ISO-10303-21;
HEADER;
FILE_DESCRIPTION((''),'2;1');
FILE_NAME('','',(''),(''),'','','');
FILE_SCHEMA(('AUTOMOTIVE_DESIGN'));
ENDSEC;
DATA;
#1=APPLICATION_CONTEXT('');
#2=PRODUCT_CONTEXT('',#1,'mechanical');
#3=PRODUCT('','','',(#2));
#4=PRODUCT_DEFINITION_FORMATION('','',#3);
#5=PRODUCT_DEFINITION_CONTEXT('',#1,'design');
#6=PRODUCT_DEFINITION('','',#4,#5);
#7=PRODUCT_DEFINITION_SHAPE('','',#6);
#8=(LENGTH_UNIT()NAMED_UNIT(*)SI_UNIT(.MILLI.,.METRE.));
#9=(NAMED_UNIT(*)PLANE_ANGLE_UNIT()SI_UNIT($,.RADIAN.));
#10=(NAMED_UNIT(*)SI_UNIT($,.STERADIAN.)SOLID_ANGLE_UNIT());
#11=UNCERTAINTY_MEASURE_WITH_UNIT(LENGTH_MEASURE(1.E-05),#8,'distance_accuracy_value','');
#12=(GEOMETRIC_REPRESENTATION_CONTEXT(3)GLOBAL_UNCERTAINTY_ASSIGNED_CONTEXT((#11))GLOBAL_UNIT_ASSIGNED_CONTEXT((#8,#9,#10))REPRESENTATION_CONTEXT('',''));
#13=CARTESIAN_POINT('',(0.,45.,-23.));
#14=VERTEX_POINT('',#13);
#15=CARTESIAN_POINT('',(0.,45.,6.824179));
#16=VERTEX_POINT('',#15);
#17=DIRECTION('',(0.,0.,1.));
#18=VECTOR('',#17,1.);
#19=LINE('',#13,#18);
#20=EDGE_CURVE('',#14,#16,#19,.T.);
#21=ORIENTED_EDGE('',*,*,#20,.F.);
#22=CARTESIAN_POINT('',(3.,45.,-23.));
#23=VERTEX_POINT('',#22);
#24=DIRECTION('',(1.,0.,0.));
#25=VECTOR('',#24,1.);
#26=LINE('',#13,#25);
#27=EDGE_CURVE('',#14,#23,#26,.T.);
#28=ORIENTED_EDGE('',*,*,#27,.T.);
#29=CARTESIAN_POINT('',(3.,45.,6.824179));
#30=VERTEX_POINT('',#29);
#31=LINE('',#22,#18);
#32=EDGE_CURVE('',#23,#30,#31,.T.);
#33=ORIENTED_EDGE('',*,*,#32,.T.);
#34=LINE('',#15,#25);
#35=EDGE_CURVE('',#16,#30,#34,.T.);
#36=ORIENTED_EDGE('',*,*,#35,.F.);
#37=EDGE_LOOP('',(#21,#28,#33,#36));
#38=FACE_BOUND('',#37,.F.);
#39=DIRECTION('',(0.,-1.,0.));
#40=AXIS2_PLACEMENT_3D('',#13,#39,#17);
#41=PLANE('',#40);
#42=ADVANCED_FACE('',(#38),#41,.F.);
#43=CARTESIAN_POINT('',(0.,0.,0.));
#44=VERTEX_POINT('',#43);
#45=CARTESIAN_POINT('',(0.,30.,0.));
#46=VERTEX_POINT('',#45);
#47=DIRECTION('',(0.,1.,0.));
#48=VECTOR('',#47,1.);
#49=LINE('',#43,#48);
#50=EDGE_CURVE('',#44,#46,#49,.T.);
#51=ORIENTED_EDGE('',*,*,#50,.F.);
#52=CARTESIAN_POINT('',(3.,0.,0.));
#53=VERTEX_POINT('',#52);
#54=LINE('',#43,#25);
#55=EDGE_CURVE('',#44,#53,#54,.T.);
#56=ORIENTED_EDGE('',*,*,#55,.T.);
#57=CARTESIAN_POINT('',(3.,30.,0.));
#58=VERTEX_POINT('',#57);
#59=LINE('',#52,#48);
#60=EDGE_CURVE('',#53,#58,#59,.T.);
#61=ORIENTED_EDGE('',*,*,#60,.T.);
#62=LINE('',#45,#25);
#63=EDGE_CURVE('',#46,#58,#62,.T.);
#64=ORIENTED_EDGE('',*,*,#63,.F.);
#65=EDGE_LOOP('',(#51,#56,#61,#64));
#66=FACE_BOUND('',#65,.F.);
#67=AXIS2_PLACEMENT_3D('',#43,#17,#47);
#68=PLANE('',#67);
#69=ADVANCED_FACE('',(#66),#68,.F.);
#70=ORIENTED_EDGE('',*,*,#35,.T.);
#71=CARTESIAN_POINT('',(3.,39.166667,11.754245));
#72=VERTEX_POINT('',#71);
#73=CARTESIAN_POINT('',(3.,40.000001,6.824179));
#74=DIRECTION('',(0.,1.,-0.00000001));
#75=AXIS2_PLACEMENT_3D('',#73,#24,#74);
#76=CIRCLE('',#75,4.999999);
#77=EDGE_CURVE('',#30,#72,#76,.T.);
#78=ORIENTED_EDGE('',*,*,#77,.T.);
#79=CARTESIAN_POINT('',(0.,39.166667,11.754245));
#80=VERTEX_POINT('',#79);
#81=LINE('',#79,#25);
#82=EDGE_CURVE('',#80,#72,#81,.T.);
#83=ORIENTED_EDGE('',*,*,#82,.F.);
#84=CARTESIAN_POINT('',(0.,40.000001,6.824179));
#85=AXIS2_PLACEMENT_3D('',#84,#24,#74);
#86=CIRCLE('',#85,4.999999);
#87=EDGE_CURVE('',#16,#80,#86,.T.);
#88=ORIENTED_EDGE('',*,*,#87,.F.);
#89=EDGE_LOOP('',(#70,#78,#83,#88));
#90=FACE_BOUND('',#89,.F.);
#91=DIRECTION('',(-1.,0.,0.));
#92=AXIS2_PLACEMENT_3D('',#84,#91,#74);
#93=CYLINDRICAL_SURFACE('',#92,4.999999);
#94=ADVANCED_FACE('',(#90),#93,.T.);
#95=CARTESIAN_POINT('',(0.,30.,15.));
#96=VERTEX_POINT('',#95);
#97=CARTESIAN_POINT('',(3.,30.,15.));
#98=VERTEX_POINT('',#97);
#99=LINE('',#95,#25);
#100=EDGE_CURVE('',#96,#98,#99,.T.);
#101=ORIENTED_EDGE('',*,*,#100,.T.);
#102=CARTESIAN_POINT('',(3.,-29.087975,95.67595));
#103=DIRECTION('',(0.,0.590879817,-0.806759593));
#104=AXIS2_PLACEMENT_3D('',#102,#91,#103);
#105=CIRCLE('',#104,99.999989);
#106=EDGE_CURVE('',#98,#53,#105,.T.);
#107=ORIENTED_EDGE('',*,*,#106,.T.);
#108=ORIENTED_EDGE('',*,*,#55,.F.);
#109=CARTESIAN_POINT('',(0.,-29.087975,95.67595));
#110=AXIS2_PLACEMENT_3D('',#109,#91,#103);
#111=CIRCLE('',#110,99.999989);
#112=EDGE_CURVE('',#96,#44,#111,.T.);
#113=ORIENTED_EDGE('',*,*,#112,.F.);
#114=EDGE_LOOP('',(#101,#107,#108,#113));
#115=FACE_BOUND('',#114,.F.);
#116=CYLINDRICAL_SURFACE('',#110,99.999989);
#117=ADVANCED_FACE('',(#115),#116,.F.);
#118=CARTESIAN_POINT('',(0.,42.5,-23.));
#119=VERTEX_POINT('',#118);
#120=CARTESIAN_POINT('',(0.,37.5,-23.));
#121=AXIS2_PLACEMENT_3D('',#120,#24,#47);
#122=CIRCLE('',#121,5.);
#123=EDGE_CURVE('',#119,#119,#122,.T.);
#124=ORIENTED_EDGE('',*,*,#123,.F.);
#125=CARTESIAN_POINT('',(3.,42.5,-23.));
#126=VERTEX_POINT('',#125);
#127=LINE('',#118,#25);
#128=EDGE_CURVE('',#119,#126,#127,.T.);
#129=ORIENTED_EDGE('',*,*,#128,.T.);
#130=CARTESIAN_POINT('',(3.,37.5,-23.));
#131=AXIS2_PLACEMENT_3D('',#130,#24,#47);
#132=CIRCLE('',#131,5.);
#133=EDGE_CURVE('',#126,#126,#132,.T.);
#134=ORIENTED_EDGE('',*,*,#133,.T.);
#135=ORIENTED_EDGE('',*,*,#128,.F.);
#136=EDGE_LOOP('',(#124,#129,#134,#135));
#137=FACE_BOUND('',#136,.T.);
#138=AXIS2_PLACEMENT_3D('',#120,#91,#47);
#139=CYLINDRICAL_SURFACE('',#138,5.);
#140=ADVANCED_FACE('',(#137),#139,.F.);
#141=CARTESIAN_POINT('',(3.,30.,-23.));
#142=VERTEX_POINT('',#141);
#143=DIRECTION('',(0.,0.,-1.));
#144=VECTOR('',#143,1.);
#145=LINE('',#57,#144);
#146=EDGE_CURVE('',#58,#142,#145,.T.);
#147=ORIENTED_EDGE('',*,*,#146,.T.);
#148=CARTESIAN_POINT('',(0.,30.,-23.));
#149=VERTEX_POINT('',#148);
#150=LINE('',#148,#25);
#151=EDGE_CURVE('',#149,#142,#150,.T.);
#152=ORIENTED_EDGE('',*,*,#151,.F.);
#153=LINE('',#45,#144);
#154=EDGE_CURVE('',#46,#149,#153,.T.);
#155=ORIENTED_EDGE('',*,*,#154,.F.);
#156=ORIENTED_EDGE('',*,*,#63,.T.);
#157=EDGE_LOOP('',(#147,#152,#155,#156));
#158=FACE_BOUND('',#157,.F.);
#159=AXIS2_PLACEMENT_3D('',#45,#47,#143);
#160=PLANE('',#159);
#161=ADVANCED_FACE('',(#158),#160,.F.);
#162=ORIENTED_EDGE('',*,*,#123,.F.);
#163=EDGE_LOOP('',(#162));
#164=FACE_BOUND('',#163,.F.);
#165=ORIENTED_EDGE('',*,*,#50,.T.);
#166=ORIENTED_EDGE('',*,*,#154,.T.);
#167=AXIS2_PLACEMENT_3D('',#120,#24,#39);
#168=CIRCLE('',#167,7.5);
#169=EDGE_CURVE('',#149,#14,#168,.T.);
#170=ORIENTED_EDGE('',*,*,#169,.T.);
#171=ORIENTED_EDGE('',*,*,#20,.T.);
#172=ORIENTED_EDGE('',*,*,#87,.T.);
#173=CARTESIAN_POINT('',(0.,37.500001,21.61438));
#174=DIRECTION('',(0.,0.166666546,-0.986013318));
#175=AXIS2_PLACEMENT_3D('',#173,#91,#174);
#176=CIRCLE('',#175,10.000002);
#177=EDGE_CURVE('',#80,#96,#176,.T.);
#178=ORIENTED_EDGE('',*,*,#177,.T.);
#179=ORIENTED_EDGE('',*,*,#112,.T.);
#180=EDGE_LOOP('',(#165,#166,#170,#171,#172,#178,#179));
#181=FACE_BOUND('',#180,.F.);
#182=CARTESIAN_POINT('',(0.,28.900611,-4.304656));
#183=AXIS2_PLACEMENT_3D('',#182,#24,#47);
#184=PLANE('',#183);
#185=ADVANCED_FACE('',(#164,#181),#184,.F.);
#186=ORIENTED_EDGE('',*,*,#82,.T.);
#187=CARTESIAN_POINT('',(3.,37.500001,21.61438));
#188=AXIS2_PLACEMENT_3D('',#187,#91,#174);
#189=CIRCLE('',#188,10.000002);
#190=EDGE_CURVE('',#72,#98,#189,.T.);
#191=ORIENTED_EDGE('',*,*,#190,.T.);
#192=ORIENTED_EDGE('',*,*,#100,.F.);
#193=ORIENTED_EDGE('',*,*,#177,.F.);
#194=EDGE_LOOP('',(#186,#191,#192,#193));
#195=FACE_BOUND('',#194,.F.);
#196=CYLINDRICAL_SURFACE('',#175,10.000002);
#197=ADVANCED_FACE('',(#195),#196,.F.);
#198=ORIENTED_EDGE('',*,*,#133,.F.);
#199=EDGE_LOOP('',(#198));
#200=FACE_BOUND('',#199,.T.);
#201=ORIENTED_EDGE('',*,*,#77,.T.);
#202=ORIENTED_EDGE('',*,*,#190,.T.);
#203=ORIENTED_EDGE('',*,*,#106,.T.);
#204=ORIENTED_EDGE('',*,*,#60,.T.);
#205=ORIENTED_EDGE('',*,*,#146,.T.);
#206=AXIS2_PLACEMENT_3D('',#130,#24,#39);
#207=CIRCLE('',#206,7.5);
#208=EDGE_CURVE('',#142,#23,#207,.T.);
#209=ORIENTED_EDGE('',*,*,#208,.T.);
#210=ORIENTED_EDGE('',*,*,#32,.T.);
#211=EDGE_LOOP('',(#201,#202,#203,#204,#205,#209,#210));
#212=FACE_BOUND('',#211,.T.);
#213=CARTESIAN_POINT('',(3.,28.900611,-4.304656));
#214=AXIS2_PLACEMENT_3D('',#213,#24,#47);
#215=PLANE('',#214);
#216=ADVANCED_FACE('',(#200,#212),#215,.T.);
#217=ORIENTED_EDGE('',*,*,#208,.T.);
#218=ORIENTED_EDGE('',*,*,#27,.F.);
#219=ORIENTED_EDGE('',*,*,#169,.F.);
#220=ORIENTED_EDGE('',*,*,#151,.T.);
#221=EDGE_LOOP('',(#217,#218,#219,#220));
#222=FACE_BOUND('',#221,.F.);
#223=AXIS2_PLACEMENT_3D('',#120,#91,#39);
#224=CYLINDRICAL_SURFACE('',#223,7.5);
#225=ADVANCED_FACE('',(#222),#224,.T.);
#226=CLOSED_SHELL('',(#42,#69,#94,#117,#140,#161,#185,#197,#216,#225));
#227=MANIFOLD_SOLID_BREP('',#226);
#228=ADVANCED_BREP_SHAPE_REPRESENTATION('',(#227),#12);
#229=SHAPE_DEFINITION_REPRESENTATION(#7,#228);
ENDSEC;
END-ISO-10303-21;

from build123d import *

# Parameters (mm, degrees)
F0_R     = 5
F1_DEPTH = 3


with BuildPart() as f1:
    # F0 (on Right) → F1 (new body)
    with BuildSketch(Plane.YZ):
        with BuildLine():
            ThreePointArc((30, 15), (15.633379, 6.233241), (0, 0))
            Line((0, 0), (30, 0))
            Line((30, 0), (30, -23))
            ThreePointArc((30, -23), (37.5, -30.5), (45, -23))
            Line((45, -23), (45, 6.824179))
            ThreePointArc((45, 6.824179), (43.227486, 10.642992), (39.166667, 11.754245))
            ThreePointArc((39.166667, 11.754245), (34.162235, 12.187856), (30, 15))
        make_face()
        with Locations((37.5, -23)):
            Circle(F0_R, mode=Mode.SUBTRACT)
    extrude(amount=F1_DEPTH)


solid = f1.part
